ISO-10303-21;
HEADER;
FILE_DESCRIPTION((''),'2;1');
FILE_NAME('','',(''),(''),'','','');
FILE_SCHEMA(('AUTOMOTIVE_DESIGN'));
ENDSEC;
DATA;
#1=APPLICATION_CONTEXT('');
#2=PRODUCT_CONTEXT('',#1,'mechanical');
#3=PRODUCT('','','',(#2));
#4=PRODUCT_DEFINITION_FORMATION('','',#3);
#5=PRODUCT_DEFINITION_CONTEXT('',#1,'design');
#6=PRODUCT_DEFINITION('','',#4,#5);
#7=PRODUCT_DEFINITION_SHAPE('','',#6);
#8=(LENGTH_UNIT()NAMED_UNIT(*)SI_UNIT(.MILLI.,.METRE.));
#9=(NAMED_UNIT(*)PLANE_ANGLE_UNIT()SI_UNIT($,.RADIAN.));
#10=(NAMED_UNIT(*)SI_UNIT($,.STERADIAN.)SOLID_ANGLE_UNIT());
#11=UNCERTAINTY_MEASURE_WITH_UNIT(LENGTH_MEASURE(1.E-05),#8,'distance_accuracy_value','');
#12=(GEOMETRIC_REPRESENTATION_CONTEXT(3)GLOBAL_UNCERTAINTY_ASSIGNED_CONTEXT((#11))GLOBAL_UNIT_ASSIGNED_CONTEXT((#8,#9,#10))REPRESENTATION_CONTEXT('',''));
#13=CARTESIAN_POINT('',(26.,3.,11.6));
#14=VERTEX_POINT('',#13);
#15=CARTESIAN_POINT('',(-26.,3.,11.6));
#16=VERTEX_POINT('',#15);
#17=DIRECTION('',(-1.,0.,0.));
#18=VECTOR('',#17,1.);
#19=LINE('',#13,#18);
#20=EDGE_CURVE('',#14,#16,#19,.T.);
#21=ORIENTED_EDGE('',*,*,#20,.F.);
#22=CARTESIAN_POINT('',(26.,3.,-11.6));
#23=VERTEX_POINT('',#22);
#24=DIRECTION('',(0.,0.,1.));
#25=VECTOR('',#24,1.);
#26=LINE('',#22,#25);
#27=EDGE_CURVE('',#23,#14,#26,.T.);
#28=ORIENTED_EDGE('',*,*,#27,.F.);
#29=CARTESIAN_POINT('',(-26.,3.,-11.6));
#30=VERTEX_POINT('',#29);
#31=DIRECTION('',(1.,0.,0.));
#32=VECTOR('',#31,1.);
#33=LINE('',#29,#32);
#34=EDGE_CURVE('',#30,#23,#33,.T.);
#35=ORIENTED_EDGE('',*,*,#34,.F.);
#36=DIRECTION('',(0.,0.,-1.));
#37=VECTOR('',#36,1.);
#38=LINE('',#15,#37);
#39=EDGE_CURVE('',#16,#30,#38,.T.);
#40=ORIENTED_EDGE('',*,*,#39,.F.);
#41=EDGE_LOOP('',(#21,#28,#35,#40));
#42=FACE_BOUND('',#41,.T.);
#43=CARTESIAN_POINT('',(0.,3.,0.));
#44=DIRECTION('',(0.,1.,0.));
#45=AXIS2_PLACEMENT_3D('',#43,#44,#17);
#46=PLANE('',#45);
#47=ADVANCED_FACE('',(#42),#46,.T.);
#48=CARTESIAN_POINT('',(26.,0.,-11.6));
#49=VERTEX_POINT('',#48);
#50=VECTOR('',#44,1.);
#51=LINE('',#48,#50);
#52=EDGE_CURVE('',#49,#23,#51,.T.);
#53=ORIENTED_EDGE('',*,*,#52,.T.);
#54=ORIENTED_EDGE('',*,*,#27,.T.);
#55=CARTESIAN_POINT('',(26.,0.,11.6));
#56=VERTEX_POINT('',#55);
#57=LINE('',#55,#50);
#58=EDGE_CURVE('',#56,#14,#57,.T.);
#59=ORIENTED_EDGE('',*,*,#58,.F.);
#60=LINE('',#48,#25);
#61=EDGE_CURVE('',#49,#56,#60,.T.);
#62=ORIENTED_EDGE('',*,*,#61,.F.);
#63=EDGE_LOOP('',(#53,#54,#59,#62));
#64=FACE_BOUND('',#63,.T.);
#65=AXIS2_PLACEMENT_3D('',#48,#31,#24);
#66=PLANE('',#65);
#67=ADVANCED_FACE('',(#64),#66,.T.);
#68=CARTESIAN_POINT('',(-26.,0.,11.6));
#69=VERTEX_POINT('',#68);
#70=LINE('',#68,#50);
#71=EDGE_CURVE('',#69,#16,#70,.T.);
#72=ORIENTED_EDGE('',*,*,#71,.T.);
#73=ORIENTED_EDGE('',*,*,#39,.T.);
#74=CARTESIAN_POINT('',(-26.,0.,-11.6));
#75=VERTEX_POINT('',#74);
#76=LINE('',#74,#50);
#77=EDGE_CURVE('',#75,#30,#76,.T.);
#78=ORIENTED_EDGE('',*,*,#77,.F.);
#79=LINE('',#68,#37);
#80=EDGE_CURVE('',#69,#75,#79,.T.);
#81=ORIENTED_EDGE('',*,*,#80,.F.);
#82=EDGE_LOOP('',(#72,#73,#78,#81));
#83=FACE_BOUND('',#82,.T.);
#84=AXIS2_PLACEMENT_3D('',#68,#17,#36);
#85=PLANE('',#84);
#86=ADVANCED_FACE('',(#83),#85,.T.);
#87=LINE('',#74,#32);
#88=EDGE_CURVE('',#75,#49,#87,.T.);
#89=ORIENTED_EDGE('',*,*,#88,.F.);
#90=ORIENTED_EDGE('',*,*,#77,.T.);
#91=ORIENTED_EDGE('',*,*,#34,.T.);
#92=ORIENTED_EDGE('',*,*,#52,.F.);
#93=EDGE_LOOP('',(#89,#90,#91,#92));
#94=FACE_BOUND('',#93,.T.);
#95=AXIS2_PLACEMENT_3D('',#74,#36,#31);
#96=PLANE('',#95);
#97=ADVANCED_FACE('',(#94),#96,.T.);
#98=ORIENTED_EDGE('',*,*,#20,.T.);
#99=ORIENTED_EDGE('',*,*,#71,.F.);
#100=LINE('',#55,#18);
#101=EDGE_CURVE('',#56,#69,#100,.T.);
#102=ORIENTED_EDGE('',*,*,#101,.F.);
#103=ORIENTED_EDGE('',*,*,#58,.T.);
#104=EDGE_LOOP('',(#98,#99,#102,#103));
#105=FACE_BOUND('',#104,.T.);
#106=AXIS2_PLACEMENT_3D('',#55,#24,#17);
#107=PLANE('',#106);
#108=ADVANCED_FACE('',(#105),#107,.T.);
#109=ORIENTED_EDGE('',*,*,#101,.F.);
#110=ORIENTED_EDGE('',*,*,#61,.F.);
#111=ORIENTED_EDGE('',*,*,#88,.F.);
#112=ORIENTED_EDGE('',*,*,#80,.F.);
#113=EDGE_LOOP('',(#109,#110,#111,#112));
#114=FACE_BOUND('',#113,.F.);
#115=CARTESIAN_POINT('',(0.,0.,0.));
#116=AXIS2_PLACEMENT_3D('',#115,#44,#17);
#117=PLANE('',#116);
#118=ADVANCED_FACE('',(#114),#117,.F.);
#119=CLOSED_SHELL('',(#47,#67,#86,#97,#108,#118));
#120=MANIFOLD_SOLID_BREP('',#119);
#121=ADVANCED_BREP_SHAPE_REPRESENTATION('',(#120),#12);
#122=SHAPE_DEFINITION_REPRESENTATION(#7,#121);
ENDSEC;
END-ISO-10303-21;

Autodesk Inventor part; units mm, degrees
ref_plane "YZ Plane" through (0, 0, 0) normal (1, 0, 0) x (0, 1, 0)
ref_plane "XZ Plane" through (0, 0, 0) normal (0, 1, 0) x (-1, 0, 0)
ref_plane "XY Plane" through (0, 0, 0) normal (0, 0, 1) x (1, 0, 0)
sketch "Эскиз1" plane through (0, 0, 0) normal (0, 1, 0) x (-1, 0, 0)
  line L0 (-26, 11.6) -> (26, 11.6)
  line L1 (26, 11.6) -> (26, -11.6)
  line L2 (26, -11.6) -> (-26, -11.6)
  line L3 (-26, -11.6) -> (-26, 11.6)
  line L4 (-26, 11.6) -> (26, -11.6) construction
  line L5 (26, 11.6) -> (-26, -11.6) construction
  point P0 (0, 0)
  dimension "d0" = 52
  dimension "d1" = 23.2
extrude "Выдавливание1" add sketch "Эскиз1" along normal blind 3
properties part number "wifi module"
